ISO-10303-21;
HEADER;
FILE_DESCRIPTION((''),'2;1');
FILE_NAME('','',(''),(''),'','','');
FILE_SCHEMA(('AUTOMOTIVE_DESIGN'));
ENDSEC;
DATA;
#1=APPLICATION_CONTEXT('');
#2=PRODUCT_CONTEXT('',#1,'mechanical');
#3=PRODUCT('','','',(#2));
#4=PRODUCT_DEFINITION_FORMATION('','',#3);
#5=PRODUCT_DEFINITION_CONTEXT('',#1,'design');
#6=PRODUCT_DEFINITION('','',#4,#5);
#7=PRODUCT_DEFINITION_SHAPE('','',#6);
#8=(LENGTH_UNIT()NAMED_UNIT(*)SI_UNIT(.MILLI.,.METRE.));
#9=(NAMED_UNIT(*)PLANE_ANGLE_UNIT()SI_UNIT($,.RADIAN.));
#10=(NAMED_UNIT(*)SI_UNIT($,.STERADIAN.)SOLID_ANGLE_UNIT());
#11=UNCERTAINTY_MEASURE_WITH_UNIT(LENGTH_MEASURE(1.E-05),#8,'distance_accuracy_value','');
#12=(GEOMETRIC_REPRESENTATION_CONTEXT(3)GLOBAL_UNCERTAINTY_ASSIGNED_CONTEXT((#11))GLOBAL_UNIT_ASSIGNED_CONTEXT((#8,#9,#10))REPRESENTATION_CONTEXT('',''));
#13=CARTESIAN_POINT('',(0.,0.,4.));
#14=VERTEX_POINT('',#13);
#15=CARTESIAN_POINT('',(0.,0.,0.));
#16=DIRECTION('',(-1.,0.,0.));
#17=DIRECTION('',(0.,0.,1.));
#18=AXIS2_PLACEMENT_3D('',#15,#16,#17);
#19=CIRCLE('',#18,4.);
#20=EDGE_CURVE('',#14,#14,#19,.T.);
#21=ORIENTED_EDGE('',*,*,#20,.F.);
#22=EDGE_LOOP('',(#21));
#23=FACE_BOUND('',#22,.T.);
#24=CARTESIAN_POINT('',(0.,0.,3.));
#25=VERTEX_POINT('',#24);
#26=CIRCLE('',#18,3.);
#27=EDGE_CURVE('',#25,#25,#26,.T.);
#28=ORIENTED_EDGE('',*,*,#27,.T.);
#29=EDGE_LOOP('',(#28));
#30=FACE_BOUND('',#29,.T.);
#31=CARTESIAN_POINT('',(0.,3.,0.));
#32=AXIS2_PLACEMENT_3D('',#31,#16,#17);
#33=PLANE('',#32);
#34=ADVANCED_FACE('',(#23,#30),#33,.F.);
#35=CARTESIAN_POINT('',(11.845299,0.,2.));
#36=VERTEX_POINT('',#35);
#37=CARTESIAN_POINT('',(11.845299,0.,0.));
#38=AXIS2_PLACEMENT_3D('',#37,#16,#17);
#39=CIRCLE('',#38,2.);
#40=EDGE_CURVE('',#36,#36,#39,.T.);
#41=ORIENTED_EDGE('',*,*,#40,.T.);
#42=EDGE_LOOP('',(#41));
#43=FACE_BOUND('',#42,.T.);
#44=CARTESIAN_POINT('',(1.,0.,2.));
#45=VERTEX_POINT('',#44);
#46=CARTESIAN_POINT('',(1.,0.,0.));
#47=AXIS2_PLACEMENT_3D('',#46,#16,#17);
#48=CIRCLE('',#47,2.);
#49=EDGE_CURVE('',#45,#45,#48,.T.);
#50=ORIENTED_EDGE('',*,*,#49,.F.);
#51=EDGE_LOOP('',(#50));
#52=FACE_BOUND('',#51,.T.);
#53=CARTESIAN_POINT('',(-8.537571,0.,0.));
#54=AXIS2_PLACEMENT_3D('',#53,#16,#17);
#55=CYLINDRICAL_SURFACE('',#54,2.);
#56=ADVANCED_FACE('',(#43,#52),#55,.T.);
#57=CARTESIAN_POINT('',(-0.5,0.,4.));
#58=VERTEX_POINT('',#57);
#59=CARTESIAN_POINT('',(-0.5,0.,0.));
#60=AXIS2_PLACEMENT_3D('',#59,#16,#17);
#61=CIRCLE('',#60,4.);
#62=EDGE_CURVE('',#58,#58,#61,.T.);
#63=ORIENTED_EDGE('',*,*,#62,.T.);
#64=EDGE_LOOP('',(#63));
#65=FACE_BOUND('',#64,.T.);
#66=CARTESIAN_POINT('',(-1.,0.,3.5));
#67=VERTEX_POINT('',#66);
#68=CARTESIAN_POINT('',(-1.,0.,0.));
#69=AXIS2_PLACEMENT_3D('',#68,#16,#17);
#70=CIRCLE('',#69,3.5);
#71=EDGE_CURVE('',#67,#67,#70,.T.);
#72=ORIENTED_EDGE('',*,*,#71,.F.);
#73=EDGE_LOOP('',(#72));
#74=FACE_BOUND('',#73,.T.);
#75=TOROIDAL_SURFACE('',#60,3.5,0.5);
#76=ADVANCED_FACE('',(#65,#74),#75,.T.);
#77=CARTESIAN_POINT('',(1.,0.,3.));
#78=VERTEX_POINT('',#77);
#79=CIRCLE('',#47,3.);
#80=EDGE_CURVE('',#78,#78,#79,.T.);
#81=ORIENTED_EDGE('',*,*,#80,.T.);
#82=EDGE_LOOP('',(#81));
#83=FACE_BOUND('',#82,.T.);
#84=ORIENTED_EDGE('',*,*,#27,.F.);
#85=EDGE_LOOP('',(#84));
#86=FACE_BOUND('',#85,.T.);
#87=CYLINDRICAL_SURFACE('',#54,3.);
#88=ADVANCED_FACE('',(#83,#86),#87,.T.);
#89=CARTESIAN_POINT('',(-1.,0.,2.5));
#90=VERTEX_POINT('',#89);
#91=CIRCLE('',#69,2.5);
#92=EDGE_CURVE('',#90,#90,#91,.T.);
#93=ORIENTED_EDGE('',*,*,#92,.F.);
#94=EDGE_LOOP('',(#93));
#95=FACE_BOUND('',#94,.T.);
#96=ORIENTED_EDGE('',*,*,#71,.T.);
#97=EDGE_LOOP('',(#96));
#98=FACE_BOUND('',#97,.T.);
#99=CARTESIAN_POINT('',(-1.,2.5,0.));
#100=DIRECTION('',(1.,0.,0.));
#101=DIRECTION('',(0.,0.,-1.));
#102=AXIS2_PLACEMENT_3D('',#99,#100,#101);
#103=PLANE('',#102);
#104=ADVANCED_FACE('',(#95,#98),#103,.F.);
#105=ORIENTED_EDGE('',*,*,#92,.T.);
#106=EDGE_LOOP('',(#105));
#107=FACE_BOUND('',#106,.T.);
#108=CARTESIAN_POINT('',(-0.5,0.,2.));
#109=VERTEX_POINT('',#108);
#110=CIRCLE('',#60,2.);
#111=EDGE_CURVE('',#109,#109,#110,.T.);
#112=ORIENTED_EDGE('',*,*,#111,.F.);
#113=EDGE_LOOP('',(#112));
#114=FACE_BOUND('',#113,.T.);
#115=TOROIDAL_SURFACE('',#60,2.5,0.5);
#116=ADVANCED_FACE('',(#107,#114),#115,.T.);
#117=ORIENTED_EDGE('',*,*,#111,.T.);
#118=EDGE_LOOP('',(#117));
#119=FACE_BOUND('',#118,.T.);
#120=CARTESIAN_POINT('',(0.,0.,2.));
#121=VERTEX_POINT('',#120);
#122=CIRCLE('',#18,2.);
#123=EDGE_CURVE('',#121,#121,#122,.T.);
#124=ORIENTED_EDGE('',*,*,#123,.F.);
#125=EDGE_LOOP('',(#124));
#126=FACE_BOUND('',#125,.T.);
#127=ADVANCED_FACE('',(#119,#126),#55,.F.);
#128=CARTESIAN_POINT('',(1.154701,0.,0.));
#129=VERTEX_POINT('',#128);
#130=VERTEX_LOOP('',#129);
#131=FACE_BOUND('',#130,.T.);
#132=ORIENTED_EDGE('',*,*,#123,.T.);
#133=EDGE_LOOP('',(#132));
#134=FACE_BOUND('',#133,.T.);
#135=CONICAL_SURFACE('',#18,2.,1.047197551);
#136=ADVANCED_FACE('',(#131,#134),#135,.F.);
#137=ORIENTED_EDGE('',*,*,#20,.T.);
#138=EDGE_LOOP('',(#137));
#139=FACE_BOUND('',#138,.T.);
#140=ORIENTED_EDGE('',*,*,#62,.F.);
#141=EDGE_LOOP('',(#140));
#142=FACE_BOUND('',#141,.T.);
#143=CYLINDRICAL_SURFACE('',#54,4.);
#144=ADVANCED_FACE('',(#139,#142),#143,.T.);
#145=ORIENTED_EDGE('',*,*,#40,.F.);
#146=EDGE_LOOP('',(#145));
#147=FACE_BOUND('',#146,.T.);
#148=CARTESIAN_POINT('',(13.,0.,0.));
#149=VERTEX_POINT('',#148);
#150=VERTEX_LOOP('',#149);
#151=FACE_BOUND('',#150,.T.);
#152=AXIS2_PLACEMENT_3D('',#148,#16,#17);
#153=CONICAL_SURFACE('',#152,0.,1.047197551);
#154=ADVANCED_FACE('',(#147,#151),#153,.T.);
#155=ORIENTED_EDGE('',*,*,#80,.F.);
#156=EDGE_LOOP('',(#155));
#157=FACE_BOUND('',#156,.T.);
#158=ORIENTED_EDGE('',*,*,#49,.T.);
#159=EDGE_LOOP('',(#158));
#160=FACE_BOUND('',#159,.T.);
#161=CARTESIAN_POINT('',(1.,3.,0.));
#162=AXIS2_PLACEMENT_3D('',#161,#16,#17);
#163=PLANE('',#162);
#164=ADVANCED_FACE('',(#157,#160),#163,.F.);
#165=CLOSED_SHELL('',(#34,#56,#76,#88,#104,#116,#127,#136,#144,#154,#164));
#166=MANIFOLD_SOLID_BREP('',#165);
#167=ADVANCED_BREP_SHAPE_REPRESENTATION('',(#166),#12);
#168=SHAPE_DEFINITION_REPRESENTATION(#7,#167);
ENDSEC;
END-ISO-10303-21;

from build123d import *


with BuildPart() as part:
    # Esquisse1 → Révolution1 (revolve)
    with BuildSketch(Plane.XY):
        with BuildLine():
            Line((0, 3), (1, 3))
            Line((1, 3), (1, 2))
            Line((1, 2), (11.845299462, 2))
            Line((11.845299462, 2), (13, 0))
            Line((13, 0), (1.154700538, 0))
            Line((1.154700538, 0), (0, 2))
            Line((0, 2), (-0.5, 2))
            ThreePointArc((-0.5, 2), (-0.853553391, 2.146446609), (-1, 2.5))
            Line((-1, 2.5), (-1, 3.5))
            ThreePointArc((-1, 3.5), (-0.853553391, 3.853553391), (-0.5, 4))
            Line((-0.5, 4), (0, 4))
            Line((0, 4), (0, 3))
        make_face()
    revolve(axis=Axis((-8.537570942, 0, 0), (1, 0, 0)))


solid = part.part
